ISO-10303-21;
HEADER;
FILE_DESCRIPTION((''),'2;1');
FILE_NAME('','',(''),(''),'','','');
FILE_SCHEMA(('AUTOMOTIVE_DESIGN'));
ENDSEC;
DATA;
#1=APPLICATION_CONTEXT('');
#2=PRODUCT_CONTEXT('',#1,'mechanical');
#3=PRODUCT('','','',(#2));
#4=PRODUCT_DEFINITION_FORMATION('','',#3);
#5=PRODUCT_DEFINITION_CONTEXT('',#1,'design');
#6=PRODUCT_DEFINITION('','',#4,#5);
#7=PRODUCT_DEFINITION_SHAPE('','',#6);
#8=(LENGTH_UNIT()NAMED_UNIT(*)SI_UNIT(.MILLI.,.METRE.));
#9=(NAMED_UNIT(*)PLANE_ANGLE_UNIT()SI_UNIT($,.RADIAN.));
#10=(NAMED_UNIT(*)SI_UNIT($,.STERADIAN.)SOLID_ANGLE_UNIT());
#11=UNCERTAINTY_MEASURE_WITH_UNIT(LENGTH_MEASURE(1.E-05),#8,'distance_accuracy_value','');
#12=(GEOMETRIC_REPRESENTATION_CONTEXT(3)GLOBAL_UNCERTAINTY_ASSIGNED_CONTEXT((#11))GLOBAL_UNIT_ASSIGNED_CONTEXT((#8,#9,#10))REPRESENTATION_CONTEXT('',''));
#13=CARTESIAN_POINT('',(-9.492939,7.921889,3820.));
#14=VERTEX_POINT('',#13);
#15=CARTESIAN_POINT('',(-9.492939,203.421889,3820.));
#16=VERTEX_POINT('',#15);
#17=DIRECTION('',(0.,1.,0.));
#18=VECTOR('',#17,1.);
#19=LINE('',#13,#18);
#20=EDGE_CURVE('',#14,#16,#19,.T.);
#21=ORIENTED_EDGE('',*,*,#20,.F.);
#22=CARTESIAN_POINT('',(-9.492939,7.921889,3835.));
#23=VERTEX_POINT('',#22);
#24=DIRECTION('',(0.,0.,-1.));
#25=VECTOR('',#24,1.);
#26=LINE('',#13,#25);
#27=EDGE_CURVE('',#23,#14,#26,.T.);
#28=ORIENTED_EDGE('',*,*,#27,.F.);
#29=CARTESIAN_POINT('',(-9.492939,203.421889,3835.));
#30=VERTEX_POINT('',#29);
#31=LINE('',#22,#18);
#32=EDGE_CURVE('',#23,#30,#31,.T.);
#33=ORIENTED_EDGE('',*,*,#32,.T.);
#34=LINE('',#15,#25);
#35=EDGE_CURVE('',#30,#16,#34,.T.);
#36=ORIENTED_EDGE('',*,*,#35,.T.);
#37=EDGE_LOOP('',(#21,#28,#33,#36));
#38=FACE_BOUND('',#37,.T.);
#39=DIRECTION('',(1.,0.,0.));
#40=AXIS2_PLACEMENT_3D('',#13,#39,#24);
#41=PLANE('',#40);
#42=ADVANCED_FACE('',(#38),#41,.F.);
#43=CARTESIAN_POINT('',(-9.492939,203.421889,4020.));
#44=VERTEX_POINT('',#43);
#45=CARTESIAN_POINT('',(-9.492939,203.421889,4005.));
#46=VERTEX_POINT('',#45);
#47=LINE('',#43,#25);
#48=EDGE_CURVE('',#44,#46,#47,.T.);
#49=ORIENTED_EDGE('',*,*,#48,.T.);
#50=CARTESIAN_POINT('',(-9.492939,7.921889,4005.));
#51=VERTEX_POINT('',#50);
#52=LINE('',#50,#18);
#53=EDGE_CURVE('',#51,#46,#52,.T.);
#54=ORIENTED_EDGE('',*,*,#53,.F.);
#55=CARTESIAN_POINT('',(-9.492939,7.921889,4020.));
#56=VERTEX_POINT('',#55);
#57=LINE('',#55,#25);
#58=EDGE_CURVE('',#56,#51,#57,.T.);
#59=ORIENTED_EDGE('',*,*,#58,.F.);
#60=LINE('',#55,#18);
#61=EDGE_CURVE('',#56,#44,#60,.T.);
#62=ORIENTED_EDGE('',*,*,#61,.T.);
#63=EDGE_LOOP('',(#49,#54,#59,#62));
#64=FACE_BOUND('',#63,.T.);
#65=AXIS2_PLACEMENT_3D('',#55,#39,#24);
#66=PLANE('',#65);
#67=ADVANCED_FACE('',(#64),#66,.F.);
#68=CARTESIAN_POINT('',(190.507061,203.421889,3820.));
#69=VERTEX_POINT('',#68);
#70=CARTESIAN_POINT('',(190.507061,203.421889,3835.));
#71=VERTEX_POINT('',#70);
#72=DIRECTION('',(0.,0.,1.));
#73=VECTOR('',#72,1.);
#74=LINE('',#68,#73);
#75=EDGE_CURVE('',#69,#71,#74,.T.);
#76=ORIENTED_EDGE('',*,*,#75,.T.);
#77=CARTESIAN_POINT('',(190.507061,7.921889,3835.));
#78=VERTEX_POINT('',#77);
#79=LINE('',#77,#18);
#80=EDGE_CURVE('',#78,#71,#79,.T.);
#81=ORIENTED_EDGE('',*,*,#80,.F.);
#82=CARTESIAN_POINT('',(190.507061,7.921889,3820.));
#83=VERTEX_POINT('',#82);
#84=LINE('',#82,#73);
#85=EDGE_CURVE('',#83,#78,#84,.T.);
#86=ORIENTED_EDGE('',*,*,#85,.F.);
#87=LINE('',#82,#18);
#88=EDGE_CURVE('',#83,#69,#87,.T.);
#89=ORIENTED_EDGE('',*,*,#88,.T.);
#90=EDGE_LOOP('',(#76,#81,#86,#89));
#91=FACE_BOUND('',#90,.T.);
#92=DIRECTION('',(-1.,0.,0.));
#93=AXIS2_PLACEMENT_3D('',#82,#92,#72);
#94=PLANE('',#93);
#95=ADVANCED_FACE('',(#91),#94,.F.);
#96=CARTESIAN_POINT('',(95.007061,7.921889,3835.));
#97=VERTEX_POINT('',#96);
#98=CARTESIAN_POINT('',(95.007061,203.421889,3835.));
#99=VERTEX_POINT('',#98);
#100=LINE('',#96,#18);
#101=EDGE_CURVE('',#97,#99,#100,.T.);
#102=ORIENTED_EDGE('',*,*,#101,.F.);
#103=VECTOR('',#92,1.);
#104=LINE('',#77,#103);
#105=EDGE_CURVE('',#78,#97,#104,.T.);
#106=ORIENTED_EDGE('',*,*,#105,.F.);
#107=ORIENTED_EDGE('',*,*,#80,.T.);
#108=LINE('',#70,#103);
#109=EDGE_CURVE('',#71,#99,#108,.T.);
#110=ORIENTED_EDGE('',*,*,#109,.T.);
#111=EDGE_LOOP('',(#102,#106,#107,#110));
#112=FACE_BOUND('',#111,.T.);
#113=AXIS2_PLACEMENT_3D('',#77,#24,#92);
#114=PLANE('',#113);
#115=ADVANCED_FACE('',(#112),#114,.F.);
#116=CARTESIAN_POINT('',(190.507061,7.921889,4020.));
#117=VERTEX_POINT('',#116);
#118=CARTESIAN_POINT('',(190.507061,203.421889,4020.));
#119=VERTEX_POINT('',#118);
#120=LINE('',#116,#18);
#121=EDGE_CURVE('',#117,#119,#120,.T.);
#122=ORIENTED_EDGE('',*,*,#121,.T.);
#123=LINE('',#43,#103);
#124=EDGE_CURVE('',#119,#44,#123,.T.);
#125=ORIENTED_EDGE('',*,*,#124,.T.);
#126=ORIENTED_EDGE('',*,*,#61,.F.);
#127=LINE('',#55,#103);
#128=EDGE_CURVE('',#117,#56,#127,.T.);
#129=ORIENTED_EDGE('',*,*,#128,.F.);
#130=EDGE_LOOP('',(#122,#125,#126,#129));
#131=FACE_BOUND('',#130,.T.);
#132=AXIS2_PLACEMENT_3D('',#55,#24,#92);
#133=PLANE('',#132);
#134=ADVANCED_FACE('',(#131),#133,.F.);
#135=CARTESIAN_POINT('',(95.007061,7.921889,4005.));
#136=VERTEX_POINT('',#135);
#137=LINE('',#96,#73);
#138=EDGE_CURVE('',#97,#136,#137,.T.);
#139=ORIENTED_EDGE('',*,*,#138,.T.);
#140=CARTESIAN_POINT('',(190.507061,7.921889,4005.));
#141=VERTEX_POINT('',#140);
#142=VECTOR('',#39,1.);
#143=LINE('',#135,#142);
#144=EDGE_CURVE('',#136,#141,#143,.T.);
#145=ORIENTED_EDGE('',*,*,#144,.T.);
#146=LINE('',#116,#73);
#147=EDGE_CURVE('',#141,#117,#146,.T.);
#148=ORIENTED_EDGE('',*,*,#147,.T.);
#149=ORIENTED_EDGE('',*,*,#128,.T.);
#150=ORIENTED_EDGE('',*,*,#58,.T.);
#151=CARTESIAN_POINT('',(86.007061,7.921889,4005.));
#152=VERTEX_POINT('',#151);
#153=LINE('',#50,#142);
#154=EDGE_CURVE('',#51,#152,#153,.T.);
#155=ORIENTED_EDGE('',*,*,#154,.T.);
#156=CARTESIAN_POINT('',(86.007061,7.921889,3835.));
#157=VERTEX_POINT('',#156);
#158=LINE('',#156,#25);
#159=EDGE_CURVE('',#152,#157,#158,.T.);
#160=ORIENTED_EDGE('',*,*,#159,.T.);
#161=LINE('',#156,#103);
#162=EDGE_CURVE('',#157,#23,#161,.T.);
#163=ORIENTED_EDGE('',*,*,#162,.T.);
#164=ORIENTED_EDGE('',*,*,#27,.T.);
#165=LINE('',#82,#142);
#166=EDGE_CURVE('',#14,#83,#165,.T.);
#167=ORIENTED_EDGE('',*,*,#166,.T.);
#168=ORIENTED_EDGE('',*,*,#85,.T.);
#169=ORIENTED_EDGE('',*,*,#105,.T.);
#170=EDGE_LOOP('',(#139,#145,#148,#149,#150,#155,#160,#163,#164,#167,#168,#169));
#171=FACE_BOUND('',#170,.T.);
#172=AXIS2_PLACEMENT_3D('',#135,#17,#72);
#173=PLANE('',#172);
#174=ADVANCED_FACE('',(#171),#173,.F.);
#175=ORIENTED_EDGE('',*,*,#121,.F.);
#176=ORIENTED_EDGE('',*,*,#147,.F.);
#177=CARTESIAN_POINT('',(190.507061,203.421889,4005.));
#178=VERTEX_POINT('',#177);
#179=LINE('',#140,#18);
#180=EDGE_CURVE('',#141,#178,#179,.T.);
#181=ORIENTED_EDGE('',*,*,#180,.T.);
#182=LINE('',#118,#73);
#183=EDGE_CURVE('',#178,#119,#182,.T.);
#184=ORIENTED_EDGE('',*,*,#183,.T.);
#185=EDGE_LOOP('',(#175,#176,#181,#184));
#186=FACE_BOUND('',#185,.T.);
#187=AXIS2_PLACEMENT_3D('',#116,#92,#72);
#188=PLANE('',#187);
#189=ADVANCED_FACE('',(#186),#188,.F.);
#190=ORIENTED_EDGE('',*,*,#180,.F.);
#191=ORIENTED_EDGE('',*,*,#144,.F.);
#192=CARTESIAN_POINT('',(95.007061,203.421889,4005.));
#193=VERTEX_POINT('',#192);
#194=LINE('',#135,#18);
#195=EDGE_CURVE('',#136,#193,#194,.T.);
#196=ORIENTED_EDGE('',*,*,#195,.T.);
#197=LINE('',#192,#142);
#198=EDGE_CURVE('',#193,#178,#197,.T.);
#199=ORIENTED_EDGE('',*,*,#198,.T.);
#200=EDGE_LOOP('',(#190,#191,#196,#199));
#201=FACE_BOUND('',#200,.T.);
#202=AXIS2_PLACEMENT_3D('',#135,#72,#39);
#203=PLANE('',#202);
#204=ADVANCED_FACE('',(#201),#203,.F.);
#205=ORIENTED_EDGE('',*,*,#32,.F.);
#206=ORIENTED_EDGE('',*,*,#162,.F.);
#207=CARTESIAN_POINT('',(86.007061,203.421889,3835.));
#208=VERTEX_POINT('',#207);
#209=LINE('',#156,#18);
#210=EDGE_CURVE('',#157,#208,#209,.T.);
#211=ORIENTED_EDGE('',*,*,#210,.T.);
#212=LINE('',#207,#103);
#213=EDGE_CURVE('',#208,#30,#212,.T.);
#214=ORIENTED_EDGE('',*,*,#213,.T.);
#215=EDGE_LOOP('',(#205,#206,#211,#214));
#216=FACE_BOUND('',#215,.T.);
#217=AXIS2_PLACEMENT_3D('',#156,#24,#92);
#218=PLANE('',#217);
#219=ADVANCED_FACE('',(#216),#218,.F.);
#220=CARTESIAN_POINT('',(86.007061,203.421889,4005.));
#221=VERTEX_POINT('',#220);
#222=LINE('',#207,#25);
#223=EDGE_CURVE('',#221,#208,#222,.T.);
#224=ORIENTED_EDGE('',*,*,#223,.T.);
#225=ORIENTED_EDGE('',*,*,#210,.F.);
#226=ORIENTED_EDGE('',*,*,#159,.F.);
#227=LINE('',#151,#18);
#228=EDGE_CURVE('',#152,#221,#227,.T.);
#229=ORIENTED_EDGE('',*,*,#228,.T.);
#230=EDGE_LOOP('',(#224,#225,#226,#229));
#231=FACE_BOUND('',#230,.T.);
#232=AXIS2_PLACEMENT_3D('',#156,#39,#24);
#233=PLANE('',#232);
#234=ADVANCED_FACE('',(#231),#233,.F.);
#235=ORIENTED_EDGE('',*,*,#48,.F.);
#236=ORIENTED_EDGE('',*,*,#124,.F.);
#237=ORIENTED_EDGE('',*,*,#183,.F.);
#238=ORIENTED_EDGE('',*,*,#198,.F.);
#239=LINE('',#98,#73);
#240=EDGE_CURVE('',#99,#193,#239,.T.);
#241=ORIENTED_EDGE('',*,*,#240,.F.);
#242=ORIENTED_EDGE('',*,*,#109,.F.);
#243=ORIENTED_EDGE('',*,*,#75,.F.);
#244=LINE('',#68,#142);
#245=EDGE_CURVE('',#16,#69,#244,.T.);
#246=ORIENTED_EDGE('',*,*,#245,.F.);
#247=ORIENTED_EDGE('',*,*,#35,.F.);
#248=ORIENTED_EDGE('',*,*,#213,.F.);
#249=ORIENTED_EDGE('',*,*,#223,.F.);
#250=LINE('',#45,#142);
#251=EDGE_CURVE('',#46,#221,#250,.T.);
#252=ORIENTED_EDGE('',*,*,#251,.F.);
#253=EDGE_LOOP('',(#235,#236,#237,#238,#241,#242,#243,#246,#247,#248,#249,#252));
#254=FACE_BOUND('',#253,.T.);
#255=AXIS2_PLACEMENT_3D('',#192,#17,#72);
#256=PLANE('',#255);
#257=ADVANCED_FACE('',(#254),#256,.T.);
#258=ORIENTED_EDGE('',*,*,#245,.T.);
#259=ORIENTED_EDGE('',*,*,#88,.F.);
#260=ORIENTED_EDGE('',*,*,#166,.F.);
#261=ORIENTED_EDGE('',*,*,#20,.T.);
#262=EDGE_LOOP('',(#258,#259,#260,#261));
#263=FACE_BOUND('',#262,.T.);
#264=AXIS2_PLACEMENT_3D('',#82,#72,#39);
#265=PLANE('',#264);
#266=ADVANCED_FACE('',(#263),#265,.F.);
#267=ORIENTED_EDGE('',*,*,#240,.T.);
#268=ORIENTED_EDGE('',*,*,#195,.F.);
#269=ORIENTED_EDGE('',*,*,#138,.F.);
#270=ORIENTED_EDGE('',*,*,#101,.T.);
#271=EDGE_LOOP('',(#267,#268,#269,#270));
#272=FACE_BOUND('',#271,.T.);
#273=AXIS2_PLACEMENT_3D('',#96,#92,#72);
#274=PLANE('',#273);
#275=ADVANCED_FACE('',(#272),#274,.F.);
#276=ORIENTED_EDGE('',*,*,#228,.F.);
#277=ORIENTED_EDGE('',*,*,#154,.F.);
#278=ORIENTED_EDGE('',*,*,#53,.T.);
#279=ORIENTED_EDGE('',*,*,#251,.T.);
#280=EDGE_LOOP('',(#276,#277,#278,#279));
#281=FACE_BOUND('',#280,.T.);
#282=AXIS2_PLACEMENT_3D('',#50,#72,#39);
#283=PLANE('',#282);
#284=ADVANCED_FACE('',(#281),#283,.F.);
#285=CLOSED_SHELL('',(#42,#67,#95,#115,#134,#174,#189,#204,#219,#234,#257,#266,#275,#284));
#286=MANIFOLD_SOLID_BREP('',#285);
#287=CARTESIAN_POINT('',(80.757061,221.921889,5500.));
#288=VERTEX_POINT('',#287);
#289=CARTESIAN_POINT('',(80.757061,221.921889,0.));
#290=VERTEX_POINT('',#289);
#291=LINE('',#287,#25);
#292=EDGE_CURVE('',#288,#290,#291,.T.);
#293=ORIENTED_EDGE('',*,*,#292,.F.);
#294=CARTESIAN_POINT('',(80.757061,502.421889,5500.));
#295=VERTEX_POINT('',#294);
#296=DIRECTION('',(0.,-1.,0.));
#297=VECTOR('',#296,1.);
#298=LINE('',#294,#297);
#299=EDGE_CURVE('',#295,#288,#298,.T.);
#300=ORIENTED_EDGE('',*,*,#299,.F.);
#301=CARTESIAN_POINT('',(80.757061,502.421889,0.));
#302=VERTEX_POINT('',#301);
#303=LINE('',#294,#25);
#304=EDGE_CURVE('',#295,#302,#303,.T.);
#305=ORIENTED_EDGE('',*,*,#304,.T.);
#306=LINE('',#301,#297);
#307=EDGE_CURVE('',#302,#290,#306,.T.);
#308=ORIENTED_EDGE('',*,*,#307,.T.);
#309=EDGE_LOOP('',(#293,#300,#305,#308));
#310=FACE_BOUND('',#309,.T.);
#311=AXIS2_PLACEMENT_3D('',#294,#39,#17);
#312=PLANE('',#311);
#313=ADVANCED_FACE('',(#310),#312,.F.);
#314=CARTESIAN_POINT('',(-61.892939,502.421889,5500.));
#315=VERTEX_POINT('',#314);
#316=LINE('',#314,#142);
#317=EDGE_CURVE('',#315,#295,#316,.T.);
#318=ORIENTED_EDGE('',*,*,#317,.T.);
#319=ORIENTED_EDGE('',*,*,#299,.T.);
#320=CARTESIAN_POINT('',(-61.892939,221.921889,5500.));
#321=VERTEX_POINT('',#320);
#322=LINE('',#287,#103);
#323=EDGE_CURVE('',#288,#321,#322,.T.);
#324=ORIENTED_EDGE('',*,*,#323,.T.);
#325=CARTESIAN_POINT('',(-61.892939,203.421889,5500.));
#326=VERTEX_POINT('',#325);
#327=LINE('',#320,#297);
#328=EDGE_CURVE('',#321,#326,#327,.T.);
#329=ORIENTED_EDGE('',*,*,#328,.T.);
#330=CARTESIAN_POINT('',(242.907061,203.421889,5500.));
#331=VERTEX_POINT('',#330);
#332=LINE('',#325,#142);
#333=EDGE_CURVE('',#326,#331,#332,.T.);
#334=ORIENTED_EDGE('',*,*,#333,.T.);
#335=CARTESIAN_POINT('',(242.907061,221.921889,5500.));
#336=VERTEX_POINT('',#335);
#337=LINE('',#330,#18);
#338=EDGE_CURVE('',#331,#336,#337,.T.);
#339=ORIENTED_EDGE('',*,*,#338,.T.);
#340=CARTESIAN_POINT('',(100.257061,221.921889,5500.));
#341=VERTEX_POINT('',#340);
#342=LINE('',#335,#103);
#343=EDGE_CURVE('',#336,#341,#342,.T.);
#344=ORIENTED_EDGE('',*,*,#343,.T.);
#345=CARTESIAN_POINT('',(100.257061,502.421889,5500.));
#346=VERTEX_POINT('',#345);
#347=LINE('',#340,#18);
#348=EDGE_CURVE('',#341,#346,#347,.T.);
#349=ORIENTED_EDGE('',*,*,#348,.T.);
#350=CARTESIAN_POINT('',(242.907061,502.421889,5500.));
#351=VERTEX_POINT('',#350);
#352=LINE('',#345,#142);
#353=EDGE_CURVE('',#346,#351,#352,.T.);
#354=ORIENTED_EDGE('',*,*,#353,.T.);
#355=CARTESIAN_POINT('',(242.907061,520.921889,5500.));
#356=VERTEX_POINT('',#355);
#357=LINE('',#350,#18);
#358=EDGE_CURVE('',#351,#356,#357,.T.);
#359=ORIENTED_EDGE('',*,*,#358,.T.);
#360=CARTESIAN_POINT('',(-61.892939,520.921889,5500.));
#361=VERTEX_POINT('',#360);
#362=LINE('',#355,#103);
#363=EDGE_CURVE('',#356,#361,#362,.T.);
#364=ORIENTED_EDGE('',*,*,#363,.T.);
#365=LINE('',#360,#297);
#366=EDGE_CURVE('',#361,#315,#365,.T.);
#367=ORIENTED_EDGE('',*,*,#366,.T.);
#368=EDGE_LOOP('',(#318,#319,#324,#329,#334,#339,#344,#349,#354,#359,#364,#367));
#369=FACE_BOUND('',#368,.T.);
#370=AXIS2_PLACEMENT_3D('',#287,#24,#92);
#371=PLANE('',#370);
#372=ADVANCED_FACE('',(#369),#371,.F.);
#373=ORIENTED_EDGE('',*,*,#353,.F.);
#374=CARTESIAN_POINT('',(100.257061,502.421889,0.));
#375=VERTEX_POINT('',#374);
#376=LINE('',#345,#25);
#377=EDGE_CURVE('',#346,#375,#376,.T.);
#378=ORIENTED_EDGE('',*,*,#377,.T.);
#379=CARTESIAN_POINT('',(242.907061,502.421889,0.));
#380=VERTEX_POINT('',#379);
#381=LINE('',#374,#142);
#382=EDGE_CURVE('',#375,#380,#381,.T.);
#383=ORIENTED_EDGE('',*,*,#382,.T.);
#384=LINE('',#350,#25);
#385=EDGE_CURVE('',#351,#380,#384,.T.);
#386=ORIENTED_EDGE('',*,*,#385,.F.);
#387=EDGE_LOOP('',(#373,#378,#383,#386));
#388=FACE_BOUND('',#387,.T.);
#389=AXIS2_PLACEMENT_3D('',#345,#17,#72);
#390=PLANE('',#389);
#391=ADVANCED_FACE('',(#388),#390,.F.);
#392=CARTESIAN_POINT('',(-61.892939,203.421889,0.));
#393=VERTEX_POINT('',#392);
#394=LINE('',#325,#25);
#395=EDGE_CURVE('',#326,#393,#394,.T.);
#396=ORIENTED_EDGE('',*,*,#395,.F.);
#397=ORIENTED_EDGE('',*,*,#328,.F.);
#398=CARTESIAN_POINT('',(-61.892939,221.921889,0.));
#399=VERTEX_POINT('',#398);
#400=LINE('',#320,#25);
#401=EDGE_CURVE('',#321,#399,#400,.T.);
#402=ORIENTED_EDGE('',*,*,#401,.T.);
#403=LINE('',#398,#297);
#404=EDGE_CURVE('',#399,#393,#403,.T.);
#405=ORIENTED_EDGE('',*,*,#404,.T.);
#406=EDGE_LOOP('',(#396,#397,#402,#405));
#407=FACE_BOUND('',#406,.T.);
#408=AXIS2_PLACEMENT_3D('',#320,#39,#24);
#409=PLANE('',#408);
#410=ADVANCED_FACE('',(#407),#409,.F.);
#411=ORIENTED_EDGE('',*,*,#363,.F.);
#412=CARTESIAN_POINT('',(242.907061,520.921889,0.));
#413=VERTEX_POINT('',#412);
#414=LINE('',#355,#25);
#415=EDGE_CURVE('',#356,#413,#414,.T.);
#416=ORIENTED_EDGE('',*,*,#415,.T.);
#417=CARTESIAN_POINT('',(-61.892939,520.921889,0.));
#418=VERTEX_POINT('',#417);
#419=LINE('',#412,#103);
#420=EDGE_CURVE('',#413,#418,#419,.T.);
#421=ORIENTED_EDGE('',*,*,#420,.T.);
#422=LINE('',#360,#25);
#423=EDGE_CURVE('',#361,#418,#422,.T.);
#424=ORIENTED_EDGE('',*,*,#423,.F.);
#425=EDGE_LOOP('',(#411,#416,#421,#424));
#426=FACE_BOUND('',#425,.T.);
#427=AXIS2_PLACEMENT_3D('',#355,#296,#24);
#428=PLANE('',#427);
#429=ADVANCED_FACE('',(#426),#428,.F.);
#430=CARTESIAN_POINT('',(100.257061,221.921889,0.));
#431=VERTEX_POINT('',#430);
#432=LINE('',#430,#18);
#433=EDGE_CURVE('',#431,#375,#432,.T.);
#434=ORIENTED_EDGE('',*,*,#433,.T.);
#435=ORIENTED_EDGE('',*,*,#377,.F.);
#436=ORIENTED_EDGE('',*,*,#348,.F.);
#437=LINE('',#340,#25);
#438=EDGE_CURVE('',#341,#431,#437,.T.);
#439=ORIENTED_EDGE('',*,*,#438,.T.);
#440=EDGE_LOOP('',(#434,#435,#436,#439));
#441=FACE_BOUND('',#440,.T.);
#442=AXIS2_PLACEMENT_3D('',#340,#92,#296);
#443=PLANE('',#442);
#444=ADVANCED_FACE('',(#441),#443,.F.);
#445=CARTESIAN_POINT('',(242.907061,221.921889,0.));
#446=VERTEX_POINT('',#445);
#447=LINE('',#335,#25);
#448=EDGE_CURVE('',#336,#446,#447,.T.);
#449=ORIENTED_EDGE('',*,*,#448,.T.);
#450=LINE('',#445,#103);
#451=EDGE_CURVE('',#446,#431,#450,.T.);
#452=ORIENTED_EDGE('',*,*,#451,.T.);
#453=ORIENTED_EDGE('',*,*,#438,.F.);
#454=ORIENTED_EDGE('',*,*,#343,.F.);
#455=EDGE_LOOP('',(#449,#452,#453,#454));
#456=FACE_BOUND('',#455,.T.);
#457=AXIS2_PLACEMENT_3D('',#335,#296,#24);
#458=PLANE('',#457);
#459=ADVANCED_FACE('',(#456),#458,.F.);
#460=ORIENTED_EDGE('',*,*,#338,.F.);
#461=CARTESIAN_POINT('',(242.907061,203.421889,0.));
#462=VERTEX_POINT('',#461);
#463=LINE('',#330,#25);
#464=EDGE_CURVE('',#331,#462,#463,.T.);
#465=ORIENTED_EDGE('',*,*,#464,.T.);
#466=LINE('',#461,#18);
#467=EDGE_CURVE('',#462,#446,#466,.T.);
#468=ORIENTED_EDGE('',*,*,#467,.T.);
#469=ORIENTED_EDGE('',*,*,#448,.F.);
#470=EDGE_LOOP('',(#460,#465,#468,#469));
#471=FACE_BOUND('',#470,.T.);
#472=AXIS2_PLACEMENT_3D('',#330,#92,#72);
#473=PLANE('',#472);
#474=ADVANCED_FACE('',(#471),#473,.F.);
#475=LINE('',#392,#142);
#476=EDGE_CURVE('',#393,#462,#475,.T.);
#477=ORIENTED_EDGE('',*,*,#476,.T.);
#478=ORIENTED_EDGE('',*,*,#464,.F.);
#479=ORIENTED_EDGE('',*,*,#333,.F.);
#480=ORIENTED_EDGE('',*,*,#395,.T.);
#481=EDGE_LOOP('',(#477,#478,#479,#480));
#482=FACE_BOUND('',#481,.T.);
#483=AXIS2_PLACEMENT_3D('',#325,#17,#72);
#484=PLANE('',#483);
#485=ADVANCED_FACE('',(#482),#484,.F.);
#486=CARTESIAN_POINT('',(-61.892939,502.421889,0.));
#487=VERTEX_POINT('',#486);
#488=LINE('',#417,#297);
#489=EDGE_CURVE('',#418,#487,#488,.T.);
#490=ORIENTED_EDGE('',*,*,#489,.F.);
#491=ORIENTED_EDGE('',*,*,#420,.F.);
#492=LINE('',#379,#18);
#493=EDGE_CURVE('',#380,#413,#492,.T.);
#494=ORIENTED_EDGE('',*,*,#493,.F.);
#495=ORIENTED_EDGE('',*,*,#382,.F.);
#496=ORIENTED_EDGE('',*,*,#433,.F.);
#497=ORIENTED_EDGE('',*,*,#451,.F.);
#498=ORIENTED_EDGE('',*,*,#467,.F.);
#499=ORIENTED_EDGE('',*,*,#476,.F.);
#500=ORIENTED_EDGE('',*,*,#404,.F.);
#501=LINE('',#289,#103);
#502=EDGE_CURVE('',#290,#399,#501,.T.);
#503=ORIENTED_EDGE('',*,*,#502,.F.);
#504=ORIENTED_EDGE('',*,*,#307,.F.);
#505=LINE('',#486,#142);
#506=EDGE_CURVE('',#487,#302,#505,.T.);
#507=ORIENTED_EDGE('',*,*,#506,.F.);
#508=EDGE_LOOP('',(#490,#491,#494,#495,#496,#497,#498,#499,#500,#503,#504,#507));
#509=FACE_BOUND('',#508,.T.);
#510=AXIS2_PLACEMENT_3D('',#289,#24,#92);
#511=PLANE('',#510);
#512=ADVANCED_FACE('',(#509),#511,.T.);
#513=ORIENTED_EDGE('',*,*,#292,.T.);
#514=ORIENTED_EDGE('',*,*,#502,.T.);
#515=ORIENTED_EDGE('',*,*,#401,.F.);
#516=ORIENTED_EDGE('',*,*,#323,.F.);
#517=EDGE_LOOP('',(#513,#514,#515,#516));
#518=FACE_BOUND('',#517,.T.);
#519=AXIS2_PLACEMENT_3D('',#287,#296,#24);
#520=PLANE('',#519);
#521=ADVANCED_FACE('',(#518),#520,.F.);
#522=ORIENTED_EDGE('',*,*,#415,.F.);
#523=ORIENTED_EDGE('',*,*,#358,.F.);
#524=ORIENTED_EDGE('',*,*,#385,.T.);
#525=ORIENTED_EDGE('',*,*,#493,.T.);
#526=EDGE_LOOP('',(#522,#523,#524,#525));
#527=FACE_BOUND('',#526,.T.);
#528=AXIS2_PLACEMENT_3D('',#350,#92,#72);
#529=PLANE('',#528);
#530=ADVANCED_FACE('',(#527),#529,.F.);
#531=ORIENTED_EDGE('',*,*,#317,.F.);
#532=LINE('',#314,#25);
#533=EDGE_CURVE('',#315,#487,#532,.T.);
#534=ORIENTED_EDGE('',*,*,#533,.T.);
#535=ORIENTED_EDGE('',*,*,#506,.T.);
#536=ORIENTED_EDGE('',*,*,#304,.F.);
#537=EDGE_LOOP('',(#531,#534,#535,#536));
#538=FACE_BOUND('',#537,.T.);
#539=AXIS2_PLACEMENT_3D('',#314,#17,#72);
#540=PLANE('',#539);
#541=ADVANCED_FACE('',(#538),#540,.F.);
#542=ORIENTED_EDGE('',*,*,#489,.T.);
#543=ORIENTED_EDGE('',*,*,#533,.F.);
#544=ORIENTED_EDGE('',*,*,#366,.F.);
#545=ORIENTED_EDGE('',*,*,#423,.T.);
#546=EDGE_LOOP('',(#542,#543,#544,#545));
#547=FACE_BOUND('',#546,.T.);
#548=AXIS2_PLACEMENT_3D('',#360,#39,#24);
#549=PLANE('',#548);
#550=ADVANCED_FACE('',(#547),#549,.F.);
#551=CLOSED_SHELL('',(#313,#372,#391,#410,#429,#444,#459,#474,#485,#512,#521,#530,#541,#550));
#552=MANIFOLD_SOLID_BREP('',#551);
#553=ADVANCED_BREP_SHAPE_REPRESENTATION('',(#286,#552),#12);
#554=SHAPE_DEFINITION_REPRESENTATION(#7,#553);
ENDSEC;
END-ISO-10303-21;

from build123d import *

# Parameters (mm, degrees)
BOSS_EXTRUDE7_DEPTH = 5500
BOSS_EXTRUDE8_DEPTH = 195.5


with BuildPart() as part:
    # Sketch7 → Boss-Extrude7 (new body)
    with BuildSketch(Plane.XY):
        Polygon((100.25706083, 502.42188857), (242.907060835, 502.42188857), (242.907060835, 520.92188857), (-61.8929392, 520.92188857), (-61.8929392, 502.42188857), (80.7570608, 502.42188857), (80.7570608, 221.9218886), (-61.8929392, 221.9218886), (-61.8929392, 203.4218886), (242.9070608, 203.4218886), (242.9070608, 221.9218886), (100.25706083, 221.9218886), align=None)
    extrude(amount=BOSS_EXTRUDE7_DEPTH)


with BuildPart() as body_2:
    # Sketch8 → Boss-Extrude8 (new body)
    with BuildSketch(Plane.XZ.offset(-203.4218886)):
        Polygon((-9.4929392, 4020), (190.5070608, 4020), (190.5070608, 4005), (95.0070608, 4005), (95.0070608, 3835), (190.5070608, 3835), (190.5070608, 3820), (-9.4929392, 3820), (-9.4929392, 3835), (86.0070608, 3835), (86.0070608, 4005), (-9.4929392, 4005), align=None)
    extrude(amount=BOSS_EXTRUDE8_DEPTH)


solid = Compound([part.part, body_2.part])
